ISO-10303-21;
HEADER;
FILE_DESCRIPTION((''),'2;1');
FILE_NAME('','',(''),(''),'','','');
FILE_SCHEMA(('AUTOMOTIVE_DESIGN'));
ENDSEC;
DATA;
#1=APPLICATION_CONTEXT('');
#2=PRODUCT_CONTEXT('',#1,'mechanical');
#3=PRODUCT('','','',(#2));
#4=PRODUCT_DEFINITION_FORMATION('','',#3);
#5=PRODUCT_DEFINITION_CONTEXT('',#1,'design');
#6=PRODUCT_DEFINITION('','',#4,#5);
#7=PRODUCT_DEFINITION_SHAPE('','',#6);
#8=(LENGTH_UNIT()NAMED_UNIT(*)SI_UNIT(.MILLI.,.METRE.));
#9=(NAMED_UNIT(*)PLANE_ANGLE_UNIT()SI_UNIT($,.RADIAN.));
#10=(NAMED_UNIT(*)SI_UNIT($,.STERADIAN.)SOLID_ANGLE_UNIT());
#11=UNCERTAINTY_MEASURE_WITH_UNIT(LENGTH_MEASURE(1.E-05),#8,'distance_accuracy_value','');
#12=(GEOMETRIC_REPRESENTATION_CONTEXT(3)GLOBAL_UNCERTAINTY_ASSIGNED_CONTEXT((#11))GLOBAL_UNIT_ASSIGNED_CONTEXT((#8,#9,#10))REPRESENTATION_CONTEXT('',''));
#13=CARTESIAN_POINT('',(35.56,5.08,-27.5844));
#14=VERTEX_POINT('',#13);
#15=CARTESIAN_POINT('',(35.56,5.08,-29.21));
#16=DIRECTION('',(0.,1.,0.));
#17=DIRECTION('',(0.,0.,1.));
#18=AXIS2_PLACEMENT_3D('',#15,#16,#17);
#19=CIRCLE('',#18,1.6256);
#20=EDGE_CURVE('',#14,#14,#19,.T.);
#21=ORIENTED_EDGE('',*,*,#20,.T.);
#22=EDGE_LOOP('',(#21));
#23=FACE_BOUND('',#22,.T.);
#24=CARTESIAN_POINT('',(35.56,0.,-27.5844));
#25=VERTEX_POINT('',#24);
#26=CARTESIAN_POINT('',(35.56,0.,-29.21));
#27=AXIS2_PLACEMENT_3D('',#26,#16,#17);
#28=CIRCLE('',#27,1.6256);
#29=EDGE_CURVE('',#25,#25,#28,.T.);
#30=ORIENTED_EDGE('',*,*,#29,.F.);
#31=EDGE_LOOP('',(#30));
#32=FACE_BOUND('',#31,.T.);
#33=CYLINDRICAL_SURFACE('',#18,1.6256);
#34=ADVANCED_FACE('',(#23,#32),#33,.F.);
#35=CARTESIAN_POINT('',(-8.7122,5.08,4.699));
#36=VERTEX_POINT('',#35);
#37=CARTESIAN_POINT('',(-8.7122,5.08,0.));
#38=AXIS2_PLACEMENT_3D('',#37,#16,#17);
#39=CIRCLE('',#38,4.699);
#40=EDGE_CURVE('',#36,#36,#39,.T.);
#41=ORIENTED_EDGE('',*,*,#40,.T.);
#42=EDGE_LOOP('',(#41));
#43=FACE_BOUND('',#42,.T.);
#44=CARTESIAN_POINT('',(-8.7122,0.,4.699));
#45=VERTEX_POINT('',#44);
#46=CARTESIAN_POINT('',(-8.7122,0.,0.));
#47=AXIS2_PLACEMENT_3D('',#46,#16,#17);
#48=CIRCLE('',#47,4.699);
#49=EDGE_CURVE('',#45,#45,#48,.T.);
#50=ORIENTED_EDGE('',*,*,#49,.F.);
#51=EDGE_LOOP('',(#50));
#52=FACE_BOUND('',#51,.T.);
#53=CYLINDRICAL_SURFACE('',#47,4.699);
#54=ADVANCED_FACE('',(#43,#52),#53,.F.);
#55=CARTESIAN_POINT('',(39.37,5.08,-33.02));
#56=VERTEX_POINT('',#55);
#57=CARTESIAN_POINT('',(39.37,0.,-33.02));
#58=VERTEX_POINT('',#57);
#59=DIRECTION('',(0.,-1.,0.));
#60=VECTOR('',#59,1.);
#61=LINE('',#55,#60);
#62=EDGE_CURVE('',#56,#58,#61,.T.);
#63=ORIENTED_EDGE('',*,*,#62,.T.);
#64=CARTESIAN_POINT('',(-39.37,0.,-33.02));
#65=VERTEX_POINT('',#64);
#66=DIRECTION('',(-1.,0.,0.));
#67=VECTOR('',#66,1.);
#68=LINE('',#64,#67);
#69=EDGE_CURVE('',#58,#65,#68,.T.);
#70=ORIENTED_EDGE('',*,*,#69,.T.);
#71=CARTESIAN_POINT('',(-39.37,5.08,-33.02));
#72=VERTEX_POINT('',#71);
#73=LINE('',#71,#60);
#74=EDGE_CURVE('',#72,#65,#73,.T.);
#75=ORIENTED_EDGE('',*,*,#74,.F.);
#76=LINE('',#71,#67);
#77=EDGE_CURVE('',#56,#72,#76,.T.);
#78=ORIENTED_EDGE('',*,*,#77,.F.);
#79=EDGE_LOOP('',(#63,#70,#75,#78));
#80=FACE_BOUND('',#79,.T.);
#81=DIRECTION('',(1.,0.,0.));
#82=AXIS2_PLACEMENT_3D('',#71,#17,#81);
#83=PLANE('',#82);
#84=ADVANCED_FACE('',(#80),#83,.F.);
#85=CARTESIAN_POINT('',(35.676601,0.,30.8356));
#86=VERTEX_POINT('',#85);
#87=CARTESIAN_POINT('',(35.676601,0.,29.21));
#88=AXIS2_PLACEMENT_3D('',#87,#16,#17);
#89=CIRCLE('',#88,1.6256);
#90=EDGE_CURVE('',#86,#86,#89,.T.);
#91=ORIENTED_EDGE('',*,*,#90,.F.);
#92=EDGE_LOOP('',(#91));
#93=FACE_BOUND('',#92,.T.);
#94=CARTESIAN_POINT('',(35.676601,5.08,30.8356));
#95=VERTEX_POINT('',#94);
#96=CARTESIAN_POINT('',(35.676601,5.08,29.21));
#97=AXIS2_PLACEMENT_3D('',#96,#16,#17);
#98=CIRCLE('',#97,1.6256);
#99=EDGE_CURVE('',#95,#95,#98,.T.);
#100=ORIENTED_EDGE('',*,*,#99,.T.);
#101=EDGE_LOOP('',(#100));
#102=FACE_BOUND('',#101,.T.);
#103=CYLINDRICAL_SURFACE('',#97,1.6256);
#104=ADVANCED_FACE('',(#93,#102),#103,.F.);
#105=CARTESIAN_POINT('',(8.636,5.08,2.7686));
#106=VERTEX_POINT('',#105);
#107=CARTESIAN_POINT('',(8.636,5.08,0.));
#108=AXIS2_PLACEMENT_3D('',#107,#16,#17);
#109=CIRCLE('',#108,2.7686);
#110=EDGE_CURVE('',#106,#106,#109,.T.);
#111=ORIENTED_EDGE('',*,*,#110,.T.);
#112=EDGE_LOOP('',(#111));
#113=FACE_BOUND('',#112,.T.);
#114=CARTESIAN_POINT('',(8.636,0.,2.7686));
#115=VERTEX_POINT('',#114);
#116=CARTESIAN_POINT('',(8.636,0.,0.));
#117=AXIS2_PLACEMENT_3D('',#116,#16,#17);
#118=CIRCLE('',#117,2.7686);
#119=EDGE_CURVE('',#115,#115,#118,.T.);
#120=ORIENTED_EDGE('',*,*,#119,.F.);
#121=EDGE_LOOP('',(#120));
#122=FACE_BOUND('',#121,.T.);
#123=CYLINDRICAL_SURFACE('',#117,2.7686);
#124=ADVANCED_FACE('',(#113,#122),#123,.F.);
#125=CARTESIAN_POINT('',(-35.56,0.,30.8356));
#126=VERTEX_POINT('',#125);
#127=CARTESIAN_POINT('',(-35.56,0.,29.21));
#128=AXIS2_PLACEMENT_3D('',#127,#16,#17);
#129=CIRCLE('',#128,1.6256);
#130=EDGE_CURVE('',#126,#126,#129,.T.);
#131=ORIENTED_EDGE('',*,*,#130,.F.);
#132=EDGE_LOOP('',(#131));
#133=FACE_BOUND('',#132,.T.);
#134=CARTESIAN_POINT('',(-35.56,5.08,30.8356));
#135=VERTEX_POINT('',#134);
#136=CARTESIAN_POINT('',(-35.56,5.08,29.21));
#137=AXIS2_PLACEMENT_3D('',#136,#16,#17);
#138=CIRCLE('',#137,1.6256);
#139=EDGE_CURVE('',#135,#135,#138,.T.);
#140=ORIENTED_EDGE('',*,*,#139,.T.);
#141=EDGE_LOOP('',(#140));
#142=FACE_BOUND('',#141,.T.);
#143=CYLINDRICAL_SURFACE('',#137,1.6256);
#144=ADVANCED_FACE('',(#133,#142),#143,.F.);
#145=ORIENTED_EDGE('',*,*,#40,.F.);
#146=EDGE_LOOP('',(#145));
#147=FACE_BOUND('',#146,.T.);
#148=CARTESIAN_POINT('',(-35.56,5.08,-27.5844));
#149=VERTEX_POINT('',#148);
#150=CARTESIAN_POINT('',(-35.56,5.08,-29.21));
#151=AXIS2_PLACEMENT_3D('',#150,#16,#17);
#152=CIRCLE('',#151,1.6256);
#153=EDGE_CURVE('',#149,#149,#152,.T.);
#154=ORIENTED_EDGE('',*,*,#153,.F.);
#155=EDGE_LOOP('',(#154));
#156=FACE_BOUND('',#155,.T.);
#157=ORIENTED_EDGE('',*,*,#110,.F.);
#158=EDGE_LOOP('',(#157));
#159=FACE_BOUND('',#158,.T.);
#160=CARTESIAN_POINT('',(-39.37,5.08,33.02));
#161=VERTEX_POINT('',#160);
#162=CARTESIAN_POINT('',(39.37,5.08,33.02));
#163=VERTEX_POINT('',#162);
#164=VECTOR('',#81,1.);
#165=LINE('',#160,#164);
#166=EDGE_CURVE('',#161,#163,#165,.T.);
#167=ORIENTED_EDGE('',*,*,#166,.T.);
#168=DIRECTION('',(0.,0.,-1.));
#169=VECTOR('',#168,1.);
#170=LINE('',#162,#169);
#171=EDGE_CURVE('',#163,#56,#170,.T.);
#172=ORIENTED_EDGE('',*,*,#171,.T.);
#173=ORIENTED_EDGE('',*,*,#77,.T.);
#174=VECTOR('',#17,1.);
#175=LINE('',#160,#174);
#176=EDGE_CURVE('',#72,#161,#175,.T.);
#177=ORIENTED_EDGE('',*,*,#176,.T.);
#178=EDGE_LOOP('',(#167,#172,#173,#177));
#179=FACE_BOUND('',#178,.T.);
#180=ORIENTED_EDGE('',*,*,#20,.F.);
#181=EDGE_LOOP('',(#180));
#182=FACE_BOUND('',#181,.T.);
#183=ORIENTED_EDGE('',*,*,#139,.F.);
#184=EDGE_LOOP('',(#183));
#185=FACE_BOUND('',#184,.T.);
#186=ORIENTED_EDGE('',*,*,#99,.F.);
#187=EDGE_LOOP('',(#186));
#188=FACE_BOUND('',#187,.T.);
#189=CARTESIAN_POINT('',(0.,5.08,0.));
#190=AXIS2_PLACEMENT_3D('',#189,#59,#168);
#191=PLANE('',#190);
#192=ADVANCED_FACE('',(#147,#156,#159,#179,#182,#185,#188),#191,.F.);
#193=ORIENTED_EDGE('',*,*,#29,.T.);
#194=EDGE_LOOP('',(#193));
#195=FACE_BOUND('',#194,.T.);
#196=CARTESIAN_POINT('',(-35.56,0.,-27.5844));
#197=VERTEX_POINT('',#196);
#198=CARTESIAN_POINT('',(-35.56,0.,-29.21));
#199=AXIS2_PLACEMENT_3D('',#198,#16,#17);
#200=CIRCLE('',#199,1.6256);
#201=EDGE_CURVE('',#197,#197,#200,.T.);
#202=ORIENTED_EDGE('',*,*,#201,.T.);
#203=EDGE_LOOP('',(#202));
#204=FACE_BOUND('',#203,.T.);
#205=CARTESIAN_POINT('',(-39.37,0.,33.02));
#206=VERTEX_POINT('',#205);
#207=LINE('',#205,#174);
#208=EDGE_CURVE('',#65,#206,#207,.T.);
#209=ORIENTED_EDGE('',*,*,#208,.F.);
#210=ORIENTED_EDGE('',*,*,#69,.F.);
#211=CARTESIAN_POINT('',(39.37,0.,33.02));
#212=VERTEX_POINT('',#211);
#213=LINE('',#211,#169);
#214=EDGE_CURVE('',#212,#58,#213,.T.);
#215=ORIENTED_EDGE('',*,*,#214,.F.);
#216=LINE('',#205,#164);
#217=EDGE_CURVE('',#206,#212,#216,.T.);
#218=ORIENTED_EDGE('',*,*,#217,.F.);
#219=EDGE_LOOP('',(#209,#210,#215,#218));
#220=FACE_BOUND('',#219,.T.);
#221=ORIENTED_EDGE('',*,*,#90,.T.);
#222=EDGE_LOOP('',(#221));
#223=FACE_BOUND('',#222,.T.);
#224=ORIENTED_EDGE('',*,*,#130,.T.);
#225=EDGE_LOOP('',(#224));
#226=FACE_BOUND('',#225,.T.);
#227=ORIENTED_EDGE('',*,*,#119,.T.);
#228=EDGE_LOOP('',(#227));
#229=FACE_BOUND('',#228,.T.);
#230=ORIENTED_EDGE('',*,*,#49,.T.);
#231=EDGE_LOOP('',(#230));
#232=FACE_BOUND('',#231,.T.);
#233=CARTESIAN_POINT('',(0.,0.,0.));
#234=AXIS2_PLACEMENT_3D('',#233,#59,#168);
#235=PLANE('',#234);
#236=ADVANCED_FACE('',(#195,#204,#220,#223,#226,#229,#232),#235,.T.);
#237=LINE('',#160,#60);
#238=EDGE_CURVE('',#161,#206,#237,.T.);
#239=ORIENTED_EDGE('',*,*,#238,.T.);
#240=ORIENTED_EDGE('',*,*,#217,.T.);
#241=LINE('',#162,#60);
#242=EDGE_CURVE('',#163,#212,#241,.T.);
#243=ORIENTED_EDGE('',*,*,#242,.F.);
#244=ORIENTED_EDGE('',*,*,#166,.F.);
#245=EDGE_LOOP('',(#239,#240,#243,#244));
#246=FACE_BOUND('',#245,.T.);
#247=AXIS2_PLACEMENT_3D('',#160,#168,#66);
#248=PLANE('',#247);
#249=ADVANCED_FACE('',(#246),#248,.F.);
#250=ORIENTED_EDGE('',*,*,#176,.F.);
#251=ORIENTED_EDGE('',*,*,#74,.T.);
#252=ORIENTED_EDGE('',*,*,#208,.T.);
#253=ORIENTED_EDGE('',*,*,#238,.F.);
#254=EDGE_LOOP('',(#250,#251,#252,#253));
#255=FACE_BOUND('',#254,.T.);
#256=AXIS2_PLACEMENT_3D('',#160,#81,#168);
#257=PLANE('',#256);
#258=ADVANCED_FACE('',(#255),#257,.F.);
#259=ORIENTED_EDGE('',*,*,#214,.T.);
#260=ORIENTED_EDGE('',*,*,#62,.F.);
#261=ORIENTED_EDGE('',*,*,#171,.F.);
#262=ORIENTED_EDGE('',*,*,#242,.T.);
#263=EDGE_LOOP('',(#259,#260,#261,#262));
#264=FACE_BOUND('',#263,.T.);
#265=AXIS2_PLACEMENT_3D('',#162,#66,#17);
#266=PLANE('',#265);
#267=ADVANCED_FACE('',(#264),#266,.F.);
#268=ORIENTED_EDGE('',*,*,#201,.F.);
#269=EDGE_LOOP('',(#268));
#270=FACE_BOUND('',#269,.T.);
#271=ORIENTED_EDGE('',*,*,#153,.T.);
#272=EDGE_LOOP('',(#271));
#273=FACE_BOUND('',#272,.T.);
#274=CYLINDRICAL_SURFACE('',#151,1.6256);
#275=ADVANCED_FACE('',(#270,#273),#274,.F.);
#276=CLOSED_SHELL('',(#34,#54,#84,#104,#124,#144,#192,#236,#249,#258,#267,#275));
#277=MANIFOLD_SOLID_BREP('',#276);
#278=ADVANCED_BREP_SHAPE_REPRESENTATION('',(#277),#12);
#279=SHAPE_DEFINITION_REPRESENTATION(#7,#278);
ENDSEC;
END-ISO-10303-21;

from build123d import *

# Parameters (mm, degrees)
SKETCH1_W             = 78.74
SKETCH1_H             = 66.04
BOSS_EXTRUDE1_DEPTH   = 5.08
SKETCH2_R             = 4.699
SKETCH2_R_2           = 2.7686
CUT_EXTRUDE1_DEPTH    = 5.08
F_4_CLEARANCE_HOLE1_D = 3.2512


with BuildPart() as part:
    # Sketch1 → Boss-Extrude1 (new body)
    with BuildSketch(Plane(origin=(0, 0, 0), x_dir=(1, 0, 0), z_dir=(0, 1, 0))):
        Rectangle(SKETCH1_W, SKETCH1_H)
    extrude(amount=BOSS_EXTRUDE1_DEPTH)

    # Sketch2 → Cut-Extrude1 (cut)
    with BuildSketch(Plane(origin=(0, 5.08, 0), x_dir=(1, 0, 0), z_dir=(0, 1, 0))):
        with Locations(Location((-8.7122, 0, 0), (0, 0, 270))):
            Circle(SKETCH2_R)
        with Locations(Location((8.636, 0, 0), (0, 0, 270))):
            Circle(SKETCH2_R_2)
    extrude(amount=-CUT_EXTRUDE1_DEPTH, mode=Mode.SUBTRACT)

    # #4 Clearance Hole1 (through all)
    with Locations(Plane(origin=(0, 5.08, 0), x_dir=(1, 0, 0), z_dir=(0, 1, 0))):
        with Locations((-35.56, 29.21), (-35.56, -29.21), (35.676601494, -29.21), (35.56, 29.21)):
            Hole(F_4_CLEARANCE_HOLE1_D / 2)


solid = part.part
